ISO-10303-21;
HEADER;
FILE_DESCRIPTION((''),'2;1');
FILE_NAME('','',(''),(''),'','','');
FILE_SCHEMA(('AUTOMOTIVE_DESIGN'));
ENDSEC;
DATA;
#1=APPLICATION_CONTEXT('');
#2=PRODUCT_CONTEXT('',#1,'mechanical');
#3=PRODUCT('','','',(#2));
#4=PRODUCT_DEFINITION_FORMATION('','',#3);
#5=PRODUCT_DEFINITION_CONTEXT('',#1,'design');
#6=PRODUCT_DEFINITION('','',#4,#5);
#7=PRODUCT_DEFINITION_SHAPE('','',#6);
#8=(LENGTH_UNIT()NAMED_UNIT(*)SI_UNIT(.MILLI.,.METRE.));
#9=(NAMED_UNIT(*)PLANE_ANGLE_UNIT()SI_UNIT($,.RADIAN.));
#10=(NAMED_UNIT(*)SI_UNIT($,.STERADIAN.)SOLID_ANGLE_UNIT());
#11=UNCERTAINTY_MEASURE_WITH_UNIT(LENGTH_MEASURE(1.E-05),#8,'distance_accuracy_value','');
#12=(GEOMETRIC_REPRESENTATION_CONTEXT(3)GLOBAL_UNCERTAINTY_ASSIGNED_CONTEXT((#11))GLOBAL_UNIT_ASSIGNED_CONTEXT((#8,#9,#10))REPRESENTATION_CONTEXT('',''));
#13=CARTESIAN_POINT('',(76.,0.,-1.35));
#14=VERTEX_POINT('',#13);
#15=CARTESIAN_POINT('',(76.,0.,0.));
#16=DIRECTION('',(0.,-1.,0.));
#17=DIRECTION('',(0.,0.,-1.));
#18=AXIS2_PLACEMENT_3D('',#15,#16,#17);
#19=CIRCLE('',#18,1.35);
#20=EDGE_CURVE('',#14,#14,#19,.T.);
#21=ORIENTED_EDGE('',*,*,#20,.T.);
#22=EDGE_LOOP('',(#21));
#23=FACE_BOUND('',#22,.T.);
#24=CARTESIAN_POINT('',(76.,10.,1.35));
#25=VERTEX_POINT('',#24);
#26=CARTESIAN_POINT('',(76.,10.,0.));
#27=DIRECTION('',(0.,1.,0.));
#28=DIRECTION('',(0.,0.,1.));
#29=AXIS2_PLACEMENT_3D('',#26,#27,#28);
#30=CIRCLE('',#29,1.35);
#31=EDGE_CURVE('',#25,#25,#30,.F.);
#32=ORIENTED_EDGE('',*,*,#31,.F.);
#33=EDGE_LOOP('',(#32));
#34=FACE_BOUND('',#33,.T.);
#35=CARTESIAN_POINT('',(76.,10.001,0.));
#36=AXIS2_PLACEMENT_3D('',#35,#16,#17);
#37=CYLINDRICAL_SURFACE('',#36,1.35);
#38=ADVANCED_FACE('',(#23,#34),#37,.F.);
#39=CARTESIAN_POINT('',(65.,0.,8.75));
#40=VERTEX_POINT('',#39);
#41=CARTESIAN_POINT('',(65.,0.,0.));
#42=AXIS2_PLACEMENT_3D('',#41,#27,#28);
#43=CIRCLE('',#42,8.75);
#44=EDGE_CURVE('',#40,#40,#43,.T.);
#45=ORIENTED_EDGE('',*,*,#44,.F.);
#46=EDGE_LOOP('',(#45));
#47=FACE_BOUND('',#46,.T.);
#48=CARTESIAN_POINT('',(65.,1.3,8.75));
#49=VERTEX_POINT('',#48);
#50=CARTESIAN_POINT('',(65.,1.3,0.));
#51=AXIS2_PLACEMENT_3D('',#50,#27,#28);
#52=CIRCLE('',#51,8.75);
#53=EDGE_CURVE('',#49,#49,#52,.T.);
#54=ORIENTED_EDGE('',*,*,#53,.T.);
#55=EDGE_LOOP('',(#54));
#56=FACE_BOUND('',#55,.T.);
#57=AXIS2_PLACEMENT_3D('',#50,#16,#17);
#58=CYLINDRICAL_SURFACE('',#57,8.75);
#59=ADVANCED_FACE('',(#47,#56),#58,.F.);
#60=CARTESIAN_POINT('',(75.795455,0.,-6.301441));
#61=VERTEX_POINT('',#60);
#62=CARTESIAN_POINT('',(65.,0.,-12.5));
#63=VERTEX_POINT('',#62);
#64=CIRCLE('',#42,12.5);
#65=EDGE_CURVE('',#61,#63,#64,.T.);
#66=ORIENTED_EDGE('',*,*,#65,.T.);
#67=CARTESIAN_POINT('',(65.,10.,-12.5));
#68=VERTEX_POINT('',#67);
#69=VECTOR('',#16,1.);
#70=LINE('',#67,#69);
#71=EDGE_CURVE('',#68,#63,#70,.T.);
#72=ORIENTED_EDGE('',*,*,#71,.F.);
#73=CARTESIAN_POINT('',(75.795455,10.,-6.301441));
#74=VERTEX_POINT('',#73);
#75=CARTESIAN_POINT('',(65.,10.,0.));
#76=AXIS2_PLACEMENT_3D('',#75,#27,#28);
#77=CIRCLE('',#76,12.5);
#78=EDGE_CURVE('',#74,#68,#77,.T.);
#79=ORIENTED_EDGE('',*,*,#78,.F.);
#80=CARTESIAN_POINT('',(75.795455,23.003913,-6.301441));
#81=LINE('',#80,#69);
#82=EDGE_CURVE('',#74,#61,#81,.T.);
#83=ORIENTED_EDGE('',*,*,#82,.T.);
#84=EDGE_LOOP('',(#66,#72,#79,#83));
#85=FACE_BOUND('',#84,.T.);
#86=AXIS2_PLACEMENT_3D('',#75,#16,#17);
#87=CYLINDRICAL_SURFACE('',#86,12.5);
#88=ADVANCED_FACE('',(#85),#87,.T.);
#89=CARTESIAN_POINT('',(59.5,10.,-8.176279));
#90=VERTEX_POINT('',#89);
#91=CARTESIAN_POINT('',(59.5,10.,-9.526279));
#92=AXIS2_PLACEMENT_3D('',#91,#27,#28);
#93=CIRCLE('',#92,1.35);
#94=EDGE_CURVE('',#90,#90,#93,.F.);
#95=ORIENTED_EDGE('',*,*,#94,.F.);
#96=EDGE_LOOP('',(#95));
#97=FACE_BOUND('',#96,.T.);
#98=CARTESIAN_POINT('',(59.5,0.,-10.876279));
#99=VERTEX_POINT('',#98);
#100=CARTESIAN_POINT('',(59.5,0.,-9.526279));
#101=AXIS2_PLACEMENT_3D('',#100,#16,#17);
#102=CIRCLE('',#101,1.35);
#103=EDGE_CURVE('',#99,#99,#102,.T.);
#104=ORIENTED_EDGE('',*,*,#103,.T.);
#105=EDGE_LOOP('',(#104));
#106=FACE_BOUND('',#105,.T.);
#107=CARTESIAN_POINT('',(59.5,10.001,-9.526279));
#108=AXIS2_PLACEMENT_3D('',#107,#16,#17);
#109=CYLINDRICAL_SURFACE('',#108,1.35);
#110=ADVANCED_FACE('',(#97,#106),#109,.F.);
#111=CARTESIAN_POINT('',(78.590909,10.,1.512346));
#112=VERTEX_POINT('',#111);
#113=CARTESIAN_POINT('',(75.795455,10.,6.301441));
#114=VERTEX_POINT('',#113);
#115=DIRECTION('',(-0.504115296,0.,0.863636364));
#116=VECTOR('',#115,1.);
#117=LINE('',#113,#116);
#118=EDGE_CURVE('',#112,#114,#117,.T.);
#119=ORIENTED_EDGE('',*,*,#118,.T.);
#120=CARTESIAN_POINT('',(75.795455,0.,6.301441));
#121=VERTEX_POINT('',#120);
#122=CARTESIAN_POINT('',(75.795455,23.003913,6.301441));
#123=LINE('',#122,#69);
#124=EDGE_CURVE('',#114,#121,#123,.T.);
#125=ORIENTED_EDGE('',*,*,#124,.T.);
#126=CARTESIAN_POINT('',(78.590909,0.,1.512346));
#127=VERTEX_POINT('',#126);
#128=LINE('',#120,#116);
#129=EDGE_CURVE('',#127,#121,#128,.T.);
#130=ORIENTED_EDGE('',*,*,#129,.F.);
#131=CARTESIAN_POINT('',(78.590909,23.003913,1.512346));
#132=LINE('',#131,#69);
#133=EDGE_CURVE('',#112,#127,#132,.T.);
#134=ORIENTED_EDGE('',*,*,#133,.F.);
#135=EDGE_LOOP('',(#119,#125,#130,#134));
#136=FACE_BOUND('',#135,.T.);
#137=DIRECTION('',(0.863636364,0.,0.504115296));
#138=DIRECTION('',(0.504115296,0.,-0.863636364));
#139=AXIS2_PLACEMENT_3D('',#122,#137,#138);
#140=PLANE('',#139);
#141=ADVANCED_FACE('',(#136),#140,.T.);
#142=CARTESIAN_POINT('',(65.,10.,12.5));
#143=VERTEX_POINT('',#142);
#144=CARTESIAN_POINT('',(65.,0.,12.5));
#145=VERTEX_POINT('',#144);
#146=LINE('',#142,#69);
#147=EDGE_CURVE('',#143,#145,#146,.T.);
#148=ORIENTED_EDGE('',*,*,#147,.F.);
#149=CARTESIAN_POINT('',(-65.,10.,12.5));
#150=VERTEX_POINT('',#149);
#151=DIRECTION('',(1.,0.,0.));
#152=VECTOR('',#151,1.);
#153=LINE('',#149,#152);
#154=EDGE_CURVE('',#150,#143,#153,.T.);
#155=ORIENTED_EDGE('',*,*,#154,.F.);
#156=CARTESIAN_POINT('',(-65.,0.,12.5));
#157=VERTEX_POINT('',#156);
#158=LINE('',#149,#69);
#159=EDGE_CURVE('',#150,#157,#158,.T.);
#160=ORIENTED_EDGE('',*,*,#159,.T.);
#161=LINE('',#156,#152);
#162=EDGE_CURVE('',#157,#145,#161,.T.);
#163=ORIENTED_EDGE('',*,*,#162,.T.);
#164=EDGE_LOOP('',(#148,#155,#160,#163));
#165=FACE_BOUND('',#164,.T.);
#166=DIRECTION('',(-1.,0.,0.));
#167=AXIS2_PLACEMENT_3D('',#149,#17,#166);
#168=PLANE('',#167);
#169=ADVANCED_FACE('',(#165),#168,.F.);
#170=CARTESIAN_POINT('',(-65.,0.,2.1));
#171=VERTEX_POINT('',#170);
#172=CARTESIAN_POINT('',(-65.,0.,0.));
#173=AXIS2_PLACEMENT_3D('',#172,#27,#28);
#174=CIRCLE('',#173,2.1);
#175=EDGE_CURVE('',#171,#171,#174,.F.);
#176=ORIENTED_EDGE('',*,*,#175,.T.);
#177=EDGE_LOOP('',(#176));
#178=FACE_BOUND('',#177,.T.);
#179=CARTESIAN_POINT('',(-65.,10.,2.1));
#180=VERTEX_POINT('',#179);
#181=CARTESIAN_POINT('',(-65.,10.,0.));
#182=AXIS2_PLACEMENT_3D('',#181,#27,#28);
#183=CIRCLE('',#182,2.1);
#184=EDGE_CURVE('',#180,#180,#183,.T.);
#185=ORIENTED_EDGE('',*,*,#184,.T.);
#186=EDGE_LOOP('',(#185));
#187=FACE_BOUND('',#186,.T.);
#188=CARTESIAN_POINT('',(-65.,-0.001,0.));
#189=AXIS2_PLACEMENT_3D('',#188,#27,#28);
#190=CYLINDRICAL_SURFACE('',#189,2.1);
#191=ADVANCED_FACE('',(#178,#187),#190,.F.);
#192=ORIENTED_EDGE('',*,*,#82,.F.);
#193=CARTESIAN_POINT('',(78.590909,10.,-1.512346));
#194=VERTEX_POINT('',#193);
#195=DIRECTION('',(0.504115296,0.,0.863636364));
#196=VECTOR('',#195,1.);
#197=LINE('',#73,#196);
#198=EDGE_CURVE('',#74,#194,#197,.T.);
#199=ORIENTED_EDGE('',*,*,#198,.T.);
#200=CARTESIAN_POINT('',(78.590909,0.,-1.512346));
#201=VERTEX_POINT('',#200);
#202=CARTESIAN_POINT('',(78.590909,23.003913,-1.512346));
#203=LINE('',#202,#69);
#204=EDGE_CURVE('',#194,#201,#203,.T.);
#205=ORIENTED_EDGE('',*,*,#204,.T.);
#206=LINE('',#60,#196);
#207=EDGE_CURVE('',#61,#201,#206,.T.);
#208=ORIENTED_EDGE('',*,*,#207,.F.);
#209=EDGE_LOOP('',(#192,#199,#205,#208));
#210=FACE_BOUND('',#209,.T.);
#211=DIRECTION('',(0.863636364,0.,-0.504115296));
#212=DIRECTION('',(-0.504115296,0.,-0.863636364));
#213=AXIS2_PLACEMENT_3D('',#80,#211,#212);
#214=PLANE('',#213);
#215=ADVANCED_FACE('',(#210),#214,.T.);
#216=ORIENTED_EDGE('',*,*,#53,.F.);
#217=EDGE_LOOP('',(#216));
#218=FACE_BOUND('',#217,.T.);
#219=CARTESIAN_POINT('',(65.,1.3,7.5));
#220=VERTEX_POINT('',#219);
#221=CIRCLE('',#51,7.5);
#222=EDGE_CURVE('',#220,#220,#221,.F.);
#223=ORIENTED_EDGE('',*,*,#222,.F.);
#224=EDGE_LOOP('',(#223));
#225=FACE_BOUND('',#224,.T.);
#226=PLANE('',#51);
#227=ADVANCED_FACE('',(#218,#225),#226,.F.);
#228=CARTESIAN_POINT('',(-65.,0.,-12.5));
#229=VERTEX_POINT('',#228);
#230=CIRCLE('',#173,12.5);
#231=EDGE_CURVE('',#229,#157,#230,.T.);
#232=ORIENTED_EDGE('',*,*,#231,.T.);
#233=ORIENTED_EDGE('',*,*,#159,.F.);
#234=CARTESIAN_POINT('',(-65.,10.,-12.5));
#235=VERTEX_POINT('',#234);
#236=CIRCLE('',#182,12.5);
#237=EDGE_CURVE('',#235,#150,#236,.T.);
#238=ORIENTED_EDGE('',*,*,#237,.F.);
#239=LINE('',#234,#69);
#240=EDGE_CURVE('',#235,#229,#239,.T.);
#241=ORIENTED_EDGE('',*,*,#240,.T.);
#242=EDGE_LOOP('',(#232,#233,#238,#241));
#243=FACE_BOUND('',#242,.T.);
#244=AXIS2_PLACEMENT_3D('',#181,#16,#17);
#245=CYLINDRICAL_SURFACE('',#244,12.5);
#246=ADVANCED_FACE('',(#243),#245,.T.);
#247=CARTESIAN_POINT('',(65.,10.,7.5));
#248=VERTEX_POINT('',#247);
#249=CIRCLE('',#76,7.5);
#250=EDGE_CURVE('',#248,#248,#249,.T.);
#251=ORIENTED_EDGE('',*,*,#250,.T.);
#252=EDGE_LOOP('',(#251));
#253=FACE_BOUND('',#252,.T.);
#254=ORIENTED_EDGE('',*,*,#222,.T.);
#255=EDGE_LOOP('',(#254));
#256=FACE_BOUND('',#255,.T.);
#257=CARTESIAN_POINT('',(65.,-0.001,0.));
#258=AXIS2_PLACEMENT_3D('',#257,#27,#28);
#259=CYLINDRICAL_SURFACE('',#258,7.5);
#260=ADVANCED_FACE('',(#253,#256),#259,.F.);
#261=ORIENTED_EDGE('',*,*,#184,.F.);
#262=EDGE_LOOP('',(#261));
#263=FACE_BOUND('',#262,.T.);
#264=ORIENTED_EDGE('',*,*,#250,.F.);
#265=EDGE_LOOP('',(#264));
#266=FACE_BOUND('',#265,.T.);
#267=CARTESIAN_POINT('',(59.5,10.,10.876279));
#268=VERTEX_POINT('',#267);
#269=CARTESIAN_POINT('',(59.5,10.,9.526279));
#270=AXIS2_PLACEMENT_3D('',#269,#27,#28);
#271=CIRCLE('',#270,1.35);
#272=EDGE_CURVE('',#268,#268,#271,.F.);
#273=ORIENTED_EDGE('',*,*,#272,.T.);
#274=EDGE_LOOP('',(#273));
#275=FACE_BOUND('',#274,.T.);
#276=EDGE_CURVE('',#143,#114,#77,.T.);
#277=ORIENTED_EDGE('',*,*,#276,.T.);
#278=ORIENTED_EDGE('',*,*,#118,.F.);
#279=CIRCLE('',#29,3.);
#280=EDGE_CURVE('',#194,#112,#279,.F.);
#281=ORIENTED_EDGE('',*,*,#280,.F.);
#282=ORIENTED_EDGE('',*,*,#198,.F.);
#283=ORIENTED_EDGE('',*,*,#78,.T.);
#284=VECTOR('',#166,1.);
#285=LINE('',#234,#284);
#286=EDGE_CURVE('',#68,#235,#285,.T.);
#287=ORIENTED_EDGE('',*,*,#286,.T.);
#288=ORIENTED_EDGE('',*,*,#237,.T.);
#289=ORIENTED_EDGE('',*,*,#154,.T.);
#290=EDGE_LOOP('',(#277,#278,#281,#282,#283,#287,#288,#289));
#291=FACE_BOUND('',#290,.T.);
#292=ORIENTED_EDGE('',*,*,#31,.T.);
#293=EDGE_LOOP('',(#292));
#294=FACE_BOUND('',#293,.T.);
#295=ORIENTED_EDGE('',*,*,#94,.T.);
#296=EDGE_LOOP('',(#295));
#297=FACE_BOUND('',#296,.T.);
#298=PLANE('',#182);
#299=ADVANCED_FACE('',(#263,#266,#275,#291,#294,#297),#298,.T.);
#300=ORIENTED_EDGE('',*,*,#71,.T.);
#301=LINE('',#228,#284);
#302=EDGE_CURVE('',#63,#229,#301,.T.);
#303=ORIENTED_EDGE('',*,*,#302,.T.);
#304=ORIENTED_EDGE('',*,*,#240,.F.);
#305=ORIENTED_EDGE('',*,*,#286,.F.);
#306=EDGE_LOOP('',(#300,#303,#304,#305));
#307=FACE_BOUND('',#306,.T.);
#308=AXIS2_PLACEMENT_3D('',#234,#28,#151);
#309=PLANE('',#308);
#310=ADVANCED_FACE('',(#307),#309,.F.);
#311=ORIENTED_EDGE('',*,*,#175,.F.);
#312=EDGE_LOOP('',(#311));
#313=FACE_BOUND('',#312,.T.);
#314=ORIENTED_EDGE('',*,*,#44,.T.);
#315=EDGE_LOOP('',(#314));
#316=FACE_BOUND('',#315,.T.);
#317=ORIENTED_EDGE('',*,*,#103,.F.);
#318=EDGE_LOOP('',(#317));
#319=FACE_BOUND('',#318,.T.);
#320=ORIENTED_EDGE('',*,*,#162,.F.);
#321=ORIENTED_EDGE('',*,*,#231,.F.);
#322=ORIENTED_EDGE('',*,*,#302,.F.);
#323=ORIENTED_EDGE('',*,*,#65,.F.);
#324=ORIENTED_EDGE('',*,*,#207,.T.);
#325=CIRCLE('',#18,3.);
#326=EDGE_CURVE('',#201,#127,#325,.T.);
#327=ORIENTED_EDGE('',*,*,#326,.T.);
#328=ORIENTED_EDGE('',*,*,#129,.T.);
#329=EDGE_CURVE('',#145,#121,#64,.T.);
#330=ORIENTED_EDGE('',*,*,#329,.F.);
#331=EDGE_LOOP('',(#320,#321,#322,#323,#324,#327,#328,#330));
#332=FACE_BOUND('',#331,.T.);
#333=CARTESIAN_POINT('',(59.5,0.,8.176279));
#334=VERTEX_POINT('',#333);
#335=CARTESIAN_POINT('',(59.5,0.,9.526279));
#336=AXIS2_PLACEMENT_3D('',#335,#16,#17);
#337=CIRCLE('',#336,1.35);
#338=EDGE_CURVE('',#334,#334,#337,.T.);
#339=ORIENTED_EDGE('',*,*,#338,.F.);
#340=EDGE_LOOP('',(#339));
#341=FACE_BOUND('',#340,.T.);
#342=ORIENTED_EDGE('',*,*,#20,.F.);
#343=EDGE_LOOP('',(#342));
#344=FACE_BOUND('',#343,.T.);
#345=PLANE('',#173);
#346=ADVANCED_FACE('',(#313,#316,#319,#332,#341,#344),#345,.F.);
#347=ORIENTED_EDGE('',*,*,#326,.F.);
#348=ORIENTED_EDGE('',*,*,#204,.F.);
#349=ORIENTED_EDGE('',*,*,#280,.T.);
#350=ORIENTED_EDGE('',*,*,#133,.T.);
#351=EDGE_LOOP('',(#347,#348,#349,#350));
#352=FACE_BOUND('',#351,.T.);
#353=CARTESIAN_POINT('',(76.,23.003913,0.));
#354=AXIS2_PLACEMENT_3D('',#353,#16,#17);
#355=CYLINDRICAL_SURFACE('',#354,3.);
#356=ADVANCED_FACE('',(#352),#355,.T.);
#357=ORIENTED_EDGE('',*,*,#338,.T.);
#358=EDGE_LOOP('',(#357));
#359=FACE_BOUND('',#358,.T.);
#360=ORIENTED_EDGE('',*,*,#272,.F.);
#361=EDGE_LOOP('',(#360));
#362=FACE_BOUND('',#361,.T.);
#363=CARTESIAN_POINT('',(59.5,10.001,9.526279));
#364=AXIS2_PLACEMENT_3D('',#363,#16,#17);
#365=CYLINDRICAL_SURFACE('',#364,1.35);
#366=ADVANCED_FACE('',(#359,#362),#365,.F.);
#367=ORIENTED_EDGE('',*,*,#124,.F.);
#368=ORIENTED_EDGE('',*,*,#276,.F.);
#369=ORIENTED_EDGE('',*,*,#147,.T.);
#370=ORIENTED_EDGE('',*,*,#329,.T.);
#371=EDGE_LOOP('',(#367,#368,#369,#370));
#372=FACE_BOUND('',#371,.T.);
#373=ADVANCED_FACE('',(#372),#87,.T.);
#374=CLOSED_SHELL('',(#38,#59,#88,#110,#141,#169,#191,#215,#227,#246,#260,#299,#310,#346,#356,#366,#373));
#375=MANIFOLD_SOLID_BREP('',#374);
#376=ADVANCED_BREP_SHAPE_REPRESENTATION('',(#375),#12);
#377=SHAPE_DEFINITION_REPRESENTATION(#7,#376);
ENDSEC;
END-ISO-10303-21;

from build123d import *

# Parameters (mm, degrees)
EXTRUDE_1_DEPTH     = 10
EXTRUDE_5_DEPTH     = 10
CUT_EXTRUDE_2_REACH = 82.606
SKETCH_7_R          = 7.5
SKETCH_8_R          = 8.75
CUT_EXTRUDE_3_DEPTH = 1.3
CUT_EXTRUDE_4_REACH = 82.606
SKETCH_9_R          = 1.35
CUT_EXTRUDE_5_REACH = 82.606
SKETCH_12_R         = 2.1


with BuildPart() as part:
    # 草图1 → 凸台-拉伸1 (new body)
    with BuildSketch(Plane(origin=(0, 0, 0), x_dir=(1, 0, 0), z_dir=(0, 1, 0))):
        with BuildLine():
            Line((-65, 12.5), (65, 12.5))
            ThreePointArc((65, 12.5), (77.5, 0), (65, -12.5))
            Line((65, -12.5), (-65, -12.5))
            ThreePointArc((-65, -12.5), (-77.5, 0), (-65, 12.5))
        make_face()
    extrude(amount=EXTRUDE_1_DEPTH)

    # 草图10 → 凸台-拉伸5 (add)
    with BuildSketch(Plane.XZ):
        with BuildLine():
            Line((75.795454545, -6.301441197), (78.590909091, -1.512345887))
            ThreePointArc((78.590909091, -1.512345887), (79, 0), (78.590909091, 1.512345887))
            Line((78.590909091, 1.512345887), (75.795454545, 6.301441197))
            Line((75.795454545, 6.301441197), (75.795454545, -6.301441197))
        make_face()
    extrude(amount=-EXTRUDE_5_DEPTH)

    # 草图7 → 切除-拉伸2 (cut, up to next)
    with BuildSketch(Plane(origin=(0, 10, 0), x_dir=(1, 0, 0), z_dir=(0, 1, 0)), mode=Mode.PRIVATE) as cut_extrude_2_sk1:
        with Locations(Location((65, 0, 0), (0, 0, 270))):
            Circle(SKETCH_7_R)
    cut_extrude_2_tool1 = extrude(cut_extrude_2_sk1.sketch, amount=-CUT_EXTRUDE_2_REACH, mode=Mode.PRIVATE) & part.part
    add(cut_extrude_2_tool1.solids().sort_by_distance((65, 10, 0))[0], mode=Mode.SUBTRACT)

    # 草图8 → 切除-拉伸3 (cut)
    with BuildSketch(Plane(origin=(0, 0, 0), x_dir=(1, 0, 0), z_dir=(0, 1, 0))):
        with Locations(Location((65, 0, 0), (0, 0, 270))):
            Circle(SKETCH_8_R)
    extrude(amount=CUT_EXTRUDE_3_DEPTH, mode=Mode.SUBTRACT)

    # 草图9 → 切除-拉伸4 (cut, up to next)
    with BuildSketch(Plane.XZ, mode=Mode.PRIVATE) as cut_extrude_4_sk1:
        with Locations(Location((59.5, 9.526279442, 0), (0, 0, 270))):
            Circle(SKETCH_9_R)
    cut_extrude_4_tool1 = extrude(cut_extrude_4_sk1.sketch, amount=-CUT_EXTRUDE_4_REACH, mode=Mode.PRIVATE) & part.part
    # 草图9 → 切除-拉伸4 (cut, up to next)
    with BuildSketch(Plane.XZ, mode=Mode.PRIVATE) as cut_extrude_4_sk2:
        with Locations(Location((76, 0, 0), (0, 0, 270))):
            Circle(SKETCH_9_R)
    cut_extrude_4_tool2 = extrude(cut_extrude_4_sk2.sketch, amount=-CUT_EXTRUDE_4_REACH, mode=Mode.PRIVATE) & part.part
    # 草图9 → 切除-拉伸4 (cut, up to next)
    with BuildSketch(Plane.XZ, mode=Mode.PRIVATE) as cut_extrude_4_sk3:
        with Locations(Location((59.5, -9.526279442, 0), (0, 0, 270))):
            Circle(SKETCH_9_R)
    cut_extrude_4_tool3 = extrude(cut_extrude_4_sk3.sketch, amount=-CUT_EXTRUDE_4_REACH, mode=Mode.PRIVATE) & part.part
    add(cut_extrude_4_tool1.solids().sort_by_distance((59.5, 0, 9.526279))[0], mode=Mode.SUBTRACT)
    add(cut_extrude_4_tool2.solids().sort_by_distance((76, 0, 0))[0], mode=Mode.SUBTRACT)
    add(cut_extrude_4_tool3.solids().sort_by_distance((59.5, 0, -9.526279))[0], mode=Mode.SUBTRACT)

    # 草图12 → 切除-拉伸5 (cut, up to next)
    with BuildSketch(Plane(origin=(0, 10, 0), x_dir=(1, 0, 0), z_dir=(0, 1, 0)), mode=Mode.PRIVATE) as cut_extrude_5_sk1:
        with Locations(Location((-65, 0, 0), (0, 0, 270))):
            Circle(SKETCH_12_R)
    cut_extrude_5_tool1 = extrude(cut_extrude_5_sk1.sketch, amount=-CUT_EXTRUDE_5_REACH, mode=Mode.PRIVATE) & part.part
    add(cut_extrude_5_tool1.solids().sort_by_distance((-65, 10, 0))[0], mode=Mode.SUBTRACT)


solid = part.part
